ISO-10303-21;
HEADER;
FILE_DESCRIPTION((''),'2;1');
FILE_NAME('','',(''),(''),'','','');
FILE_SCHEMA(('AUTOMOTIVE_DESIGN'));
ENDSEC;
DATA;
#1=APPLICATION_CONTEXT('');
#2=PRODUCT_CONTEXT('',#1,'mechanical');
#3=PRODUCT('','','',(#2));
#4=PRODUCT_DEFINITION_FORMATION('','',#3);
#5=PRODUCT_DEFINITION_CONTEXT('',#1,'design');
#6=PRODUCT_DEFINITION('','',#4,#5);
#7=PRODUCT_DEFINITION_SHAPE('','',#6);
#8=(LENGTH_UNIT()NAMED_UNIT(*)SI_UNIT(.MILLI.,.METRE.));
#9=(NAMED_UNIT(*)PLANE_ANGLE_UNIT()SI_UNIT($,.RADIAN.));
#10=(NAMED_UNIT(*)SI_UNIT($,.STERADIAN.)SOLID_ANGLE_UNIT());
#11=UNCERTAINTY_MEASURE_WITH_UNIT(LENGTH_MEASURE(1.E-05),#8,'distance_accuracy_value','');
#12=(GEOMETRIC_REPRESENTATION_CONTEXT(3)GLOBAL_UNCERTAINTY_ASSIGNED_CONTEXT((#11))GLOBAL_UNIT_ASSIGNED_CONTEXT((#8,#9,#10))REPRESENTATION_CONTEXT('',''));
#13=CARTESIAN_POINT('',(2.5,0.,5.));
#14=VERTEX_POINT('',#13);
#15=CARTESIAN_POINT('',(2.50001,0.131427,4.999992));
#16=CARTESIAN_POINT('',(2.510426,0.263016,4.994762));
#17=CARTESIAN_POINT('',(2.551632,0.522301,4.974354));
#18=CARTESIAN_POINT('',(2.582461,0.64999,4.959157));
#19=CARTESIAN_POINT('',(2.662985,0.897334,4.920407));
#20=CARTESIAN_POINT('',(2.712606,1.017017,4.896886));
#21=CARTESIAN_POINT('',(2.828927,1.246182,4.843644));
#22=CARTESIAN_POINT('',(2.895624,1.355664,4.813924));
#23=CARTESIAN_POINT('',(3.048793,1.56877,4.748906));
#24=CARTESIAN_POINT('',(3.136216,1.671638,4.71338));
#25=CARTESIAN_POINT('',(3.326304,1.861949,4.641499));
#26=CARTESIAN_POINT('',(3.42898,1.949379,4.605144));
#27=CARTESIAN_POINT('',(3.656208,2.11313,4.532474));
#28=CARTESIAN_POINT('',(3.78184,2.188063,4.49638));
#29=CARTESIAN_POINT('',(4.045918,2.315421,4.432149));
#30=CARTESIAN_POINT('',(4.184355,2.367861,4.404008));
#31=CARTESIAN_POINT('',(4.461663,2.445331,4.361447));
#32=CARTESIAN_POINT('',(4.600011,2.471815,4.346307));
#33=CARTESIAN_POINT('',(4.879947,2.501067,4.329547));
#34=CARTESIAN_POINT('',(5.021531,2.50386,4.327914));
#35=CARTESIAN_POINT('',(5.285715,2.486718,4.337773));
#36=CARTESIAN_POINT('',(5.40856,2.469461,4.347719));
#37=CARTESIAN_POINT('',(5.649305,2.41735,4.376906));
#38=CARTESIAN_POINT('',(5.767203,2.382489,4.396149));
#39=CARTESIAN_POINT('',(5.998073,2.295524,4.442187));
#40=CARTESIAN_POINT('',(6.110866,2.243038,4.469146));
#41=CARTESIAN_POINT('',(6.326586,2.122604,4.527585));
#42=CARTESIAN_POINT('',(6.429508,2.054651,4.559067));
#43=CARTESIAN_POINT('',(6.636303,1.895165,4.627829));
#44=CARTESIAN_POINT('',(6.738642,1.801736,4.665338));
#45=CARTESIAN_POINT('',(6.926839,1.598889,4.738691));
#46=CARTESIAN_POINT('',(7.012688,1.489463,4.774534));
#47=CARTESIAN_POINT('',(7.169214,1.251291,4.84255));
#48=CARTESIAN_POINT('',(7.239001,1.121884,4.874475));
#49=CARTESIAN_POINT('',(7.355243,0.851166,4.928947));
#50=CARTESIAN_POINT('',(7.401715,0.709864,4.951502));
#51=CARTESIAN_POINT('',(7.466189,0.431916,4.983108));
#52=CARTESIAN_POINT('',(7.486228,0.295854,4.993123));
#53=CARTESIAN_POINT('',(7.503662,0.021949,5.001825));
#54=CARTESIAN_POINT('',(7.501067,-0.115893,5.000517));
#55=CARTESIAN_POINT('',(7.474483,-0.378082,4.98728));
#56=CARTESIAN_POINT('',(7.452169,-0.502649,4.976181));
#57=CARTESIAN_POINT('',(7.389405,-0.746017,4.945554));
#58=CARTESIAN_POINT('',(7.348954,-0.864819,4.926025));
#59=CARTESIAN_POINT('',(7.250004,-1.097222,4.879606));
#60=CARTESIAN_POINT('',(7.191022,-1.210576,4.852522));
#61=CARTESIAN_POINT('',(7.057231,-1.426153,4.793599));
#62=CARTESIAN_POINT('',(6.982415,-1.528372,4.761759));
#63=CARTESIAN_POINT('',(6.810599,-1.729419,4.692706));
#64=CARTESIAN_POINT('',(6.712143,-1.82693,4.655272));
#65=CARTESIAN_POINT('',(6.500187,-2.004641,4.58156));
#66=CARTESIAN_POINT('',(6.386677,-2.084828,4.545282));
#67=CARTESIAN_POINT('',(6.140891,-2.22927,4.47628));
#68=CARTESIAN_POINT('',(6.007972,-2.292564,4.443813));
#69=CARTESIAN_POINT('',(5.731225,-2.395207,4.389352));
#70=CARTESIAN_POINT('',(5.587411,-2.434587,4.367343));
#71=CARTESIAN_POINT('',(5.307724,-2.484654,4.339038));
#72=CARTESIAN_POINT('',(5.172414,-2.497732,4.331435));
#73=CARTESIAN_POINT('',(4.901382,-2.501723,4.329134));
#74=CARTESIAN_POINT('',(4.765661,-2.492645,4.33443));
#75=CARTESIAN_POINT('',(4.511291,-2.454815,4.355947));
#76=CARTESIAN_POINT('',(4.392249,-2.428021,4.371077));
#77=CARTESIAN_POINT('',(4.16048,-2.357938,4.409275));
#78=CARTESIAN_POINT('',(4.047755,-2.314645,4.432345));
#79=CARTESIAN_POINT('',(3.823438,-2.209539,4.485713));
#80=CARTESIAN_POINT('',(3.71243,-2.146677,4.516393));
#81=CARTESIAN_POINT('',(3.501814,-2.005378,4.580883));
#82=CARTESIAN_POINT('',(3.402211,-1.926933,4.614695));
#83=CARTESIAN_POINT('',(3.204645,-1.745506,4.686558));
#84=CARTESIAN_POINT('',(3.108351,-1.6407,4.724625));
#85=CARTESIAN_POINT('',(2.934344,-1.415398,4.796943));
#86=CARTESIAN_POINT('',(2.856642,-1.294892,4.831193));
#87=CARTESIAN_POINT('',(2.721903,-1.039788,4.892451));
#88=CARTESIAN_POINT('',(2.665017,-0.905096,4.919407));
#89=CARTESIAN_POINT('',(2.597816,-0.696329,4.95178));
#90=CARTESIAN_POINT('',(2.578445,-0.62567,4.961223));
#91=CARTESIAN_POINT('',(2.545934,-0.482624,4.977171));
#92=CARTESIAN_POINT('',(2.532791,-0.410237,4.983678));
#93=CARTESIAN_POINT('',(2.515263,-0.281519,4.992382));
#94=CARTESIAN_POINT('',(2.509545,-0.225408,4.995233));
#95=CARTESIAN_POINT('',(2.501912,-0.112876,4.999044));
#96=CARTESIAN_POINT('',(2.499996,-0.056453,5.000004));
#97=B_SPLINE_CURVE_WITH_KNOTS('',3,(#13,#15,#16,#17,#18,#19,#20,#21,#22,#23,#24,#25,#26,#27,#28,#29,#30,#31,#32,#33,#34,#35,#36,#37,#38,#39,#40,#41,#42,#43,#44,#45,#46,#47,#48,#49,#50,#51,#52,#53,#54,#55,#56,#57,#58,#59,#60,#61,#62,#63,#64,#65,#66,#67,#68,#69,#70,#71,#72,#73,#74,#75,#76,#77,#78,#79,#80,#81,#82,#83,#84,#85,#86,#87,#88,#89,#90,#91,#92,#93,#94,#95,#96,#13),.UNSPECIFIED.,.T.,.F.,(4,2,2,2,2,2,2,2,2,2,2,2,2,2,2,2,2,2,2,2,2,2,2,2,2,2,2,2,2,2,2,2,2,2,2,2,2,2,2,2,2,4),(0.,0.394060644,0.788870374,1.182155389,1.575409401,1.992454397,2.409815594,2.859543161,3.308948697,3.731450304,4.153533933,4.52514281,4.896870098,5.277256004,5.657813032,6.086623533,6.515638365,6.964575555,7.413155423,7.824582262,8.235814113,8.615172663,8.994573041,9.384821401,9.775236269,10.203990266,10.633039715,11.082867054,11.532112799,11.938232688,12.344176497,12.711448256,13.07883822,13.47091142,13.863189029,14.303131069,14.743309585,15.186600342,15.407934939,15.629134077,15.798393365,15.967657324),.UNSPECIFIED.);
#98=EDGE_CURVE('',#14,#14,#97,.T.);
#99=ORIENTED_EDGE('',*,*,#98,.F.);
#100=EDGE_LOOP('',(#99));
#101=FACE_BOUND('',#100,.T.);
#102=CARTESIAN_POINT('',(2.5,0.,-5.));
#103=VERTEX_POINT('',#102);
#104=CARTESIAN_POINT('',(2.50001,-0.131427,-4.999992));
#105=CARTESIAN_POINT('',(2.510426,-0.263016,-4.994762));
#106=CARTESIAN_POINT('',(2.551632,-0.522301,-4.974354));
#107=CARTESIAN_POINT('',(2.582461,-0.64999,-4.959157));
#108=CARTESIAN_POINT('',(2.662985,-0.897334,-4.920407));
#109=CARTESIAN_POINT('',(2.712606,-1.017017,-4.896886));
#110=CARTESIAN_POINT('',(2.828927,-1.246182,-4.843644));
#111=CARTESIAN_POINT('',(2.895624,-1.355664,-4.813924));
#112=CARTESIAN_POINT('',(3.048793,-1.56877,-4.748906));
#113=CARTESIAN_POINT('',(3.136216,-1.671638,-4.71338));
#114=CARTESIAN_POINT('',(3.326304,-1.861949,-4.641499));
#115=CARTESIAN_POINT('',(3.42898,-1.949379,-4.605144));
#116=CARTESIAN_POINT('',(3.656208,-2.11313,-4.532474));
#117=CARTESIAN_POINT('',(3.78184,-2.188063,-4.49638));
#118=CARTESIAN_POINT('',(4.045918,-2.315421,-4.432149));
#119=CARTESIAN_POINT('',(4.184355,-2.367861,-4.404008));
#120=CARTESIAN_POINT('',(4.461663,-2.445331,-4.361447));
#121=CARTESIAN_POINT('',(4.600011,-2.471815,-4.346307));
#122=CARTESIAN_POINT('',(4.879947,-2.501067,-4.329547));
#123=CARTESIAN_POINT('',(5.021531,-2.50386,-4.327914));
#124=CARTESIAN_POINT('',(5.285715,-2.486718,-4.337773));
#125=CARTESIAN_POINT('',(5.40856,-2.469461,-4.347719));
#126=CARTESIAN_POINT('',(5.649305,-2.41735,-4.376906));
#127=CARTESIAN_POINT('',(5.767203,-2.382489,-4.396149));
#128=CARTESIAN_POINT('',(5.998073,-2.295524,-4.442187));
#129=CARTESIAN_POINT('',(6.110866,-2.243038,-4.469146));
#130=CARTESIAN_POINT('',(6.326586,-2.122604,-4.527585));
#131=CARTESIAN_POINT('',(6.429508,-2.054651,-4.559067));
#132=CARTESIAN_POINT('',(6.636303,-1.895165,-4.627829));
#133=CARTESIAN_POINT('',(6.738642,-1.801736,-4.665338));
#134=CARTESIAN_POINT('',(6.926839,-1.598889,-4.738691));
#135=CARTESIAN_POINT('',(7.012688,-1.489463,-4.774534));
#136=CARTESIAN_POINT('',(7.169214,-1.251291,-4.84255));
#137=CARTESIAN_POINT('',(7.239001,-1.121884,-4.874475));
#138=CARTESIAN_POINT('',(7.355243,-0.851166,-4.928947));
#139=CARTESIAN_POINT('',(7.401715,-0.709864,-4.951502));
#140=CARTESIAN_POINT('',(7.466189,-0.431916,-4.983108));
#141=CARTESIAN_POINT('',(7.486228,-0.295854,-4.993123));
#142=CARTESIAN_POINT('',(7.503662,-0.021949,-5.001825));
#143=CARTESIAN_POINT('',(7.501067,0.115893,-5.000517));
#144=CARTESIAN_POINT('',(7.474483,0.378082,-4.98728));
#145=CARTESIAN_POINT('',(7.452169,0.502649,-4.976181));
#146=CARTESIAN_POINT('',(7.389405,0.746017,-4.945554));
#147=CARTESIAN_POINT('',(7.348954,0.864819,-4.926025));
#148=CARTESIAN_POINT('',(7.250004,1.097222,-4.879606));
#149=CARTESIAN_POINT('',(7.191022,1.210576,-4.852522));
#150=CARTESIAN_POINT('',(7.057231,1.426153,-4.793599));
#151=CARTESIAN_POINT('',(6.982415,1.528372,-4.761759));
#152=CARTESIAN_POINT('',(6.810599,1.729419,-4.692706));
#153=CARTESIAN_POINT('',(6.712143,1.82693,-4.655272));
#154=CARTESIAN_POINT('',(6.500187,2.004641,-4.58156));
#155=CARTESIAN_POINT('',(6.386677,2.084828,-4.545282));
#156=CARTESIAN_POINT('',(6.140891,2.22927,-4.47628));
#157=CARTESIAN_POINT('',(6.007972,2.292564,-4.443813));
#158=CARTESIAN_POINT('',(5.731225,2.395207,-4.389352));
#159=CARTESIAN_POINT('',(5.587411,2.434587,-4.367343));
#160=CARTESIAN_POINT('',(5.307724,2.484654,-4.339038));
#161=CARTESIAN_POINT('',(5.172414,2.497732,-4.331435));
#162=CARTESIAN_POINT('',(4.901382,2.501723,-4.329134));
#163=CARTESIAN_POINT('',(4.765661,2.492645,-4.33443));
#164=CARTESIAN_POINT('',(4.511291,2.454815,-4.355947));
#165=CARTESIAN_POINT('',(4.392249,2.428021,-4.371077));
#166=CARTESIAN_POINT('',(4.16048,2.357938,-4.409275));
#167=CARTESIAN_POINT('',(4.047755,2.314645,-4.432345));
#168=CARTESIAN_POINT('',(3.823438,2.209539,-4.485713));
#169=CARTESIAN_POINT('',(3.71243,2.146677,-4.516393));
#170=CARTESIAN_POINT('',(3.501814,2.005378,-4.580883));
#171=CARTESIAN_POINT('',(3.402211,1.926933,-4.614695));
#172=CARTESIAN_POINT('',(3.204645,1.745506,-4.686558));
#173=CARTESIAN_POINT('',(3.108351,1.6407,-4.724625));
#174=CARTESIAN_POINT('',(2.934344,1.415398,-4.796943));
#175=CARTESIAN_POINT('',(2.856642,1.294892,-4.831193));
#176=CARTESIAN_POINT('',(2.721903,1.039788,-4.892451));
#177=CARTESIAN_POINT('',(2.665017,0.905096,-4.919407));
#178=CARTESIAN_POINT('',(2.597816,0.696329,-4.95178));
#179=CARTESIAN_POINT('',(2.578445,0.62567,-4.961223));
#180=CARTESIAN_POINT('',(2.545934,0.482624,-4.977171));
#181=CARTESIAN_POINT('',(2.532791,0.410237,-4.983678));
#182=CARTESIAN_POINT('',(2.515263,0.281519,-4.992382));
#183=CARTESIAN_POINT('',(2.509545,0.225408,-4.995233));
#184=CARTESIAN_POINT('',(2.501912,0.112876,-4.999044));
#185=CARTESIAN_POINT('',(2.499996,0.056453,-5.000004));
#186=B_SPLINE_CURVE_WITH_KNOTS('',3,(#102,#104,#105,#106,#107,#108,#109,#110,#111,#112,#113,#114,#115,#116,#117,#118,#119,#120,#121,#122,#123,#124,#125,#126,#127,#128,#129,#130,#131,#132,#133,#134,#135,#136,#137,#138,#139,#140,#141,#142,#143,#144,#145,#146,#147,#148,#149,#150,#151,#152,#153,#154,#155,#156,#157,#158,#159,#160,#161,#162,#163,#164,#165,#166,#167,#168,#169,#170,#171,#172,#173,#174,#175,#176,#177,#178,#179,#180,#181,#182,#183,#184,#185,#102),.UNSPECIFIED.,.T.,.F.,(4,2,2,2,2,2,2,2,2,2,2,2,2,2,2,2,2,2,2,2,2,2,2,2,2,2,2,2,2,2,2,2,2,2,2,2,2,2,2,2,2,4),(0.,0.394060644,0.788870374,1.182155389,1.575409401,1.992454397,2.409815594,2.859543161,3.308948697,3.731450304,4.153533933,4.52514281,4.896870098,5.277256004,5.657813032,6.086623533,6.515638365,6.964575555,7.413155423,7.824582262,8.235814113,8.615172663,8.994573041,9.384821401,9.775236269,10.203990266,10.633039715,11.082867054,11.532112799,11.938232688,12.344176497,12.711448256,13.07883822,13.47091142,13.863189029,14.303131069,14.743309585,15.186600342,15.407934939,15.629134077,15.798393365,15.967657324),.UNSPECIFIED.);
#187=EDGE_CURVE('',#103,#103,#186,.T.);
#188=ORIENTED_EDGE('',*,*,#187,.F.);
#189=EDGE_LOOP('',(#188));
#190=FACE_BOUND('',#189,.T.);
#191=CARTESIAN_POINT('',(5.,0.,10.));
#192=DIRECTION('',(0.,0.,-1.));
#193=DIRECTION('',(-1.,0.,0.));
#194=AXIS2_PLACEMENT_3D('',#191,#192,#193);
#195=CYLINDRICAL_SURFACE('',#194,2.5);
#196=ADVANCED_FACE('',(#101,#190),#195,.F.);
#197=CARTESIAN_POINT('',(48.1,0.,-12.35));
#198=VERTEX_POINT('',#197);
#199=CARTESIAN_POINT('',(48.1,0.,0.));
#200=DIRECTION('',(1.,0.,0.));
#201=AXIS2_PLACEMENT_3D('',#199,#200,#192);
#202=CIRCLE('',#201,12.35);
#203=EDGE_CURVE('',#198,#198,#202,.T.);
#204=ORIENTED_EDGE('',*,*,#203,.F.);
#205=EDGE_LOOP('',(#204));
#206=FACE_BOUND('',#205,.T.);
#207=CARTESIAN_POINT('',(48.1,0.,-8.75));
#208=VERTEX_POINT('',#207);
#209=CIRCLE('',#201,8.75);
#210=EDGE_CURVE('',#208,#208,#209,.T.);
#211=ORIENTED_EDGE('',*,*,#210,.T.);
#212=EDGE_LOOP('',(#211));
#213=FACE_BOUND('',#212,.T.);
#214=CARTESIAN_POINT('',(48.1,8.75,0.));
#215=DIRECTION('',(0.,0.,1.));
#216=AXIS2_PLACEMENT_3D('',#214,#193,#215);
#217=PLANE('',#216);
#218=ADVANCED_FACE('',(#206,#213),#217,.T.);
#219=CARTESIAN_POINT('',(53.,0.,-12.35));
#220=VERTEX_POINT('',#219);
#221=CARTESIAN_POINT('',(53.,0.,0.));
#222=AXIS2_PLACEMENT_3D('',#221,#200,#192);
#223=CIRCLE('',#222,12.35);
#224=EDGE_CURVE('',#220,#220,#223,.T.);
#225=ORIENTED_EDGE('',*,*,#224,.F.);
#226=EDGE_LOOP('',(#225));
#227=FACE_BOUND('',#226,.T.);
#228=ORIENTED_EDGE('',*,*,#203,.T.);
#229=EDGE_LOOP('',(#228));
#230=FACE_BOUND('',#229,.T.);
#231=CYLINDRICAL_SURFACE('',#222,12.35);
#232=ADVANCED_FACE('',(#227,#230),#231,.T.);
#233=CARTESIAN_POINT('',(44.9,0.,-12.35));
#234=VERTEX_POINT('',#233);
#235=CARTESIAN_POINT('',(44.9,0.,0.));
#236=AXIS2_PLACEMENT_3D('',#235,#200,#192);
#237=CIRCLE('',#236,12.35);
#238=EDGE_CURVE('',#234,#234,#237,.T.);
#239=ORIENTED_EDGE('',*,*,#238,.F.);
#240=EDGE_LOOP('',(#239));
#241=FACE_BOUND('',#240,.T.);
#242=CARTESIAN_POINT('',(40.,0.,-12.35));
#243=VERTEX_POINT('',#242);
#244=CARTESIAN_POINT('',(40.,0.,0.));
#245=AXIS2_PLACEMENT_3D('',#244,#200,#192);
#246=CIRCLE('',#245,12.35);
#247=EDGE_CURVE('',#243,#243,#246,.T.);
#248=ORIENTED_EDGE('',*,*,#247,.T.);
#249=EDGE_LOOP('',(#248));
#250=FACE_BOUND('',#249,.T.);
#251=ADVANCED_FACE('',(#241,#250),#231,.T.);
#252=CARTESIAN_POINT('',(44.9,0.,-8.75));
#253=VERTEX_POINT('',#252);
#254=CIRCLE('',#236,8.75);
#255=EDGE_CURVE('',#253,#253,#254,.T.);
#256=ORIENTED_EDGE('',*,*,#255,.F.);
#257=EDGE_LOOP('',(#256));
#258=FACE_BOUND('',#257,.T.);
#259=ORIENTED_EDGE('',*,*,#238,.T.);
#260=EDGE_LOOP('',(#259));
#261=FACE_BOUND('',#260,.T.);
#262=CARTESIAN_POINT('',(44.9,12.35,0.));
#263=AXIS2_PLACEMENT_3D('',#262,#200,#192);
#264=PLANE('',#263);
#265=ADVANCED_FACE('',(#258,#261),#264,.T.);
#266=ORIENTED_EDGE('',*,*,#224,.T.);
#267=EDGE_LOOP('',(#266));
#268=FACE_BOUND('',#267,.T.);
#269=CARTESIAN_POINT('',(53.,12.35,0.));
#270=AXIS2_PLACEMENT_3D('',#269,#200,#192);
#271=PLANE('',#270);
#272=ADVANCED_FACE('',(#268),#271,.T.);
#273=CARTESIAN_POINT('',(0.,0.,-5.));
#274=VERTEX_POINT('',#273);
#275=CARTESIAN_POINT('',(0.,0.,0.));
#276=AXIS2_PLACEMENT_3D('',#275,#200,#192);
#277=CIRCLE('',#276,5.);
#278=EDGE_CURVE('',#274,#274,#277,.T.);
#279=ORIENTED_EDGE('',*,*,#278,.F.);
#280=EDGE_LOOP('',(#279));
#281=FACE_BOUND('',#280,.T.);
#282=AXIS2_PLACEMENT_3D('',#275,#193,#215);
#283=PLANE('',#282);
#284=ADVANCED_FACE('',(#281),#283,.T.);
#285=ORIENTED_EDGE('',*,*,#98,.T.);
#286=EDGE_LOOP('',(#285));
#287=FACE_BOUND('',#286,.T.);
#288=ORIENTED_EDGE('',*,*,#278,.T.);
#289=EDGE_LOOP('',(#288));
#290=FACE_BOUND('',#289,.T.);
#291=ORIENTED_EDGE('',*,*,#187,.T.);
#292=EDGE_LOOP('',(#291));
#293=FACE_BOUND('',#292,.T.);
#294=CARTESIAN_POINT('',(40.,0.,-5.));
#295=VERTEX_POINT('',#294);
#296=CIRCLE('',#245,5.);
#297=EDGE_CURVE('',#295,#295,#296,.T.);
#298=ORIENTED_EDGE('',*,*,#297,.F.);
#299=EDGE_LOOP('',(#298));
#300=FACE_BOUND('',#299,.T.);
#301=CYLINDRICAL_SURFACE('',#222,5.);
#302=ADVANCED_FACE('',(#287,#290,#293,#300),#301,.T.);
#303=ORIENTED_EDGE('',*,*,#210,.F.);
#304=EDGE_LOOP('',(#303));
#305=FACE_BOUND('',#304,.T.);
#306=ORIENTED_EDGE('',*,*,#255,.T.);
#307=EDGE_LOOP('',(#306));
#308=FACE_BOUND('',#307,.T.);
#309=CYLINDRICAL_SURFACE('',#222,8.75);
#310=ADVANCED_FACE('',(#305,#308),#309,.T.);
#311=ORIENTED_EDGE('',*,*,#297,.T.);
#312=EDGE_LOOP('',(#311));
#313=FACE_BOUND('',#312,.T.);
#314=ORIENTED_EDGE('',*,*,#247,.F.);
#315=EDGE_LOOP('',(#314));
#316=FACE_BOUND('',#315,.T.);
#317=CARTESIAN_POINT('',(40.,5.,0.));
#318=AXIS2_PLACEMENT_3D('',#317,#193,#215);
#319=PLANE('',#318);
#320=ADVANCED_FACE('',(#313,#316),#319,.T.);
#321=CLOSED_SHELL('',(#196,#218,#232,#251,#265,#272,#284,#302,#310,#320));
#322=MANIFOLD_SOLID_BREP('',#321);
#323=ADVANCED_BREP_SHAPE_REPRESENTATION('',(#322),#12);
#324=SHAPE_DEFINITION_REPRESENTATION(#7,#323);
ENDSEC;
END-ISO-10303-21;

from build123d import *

# Parameters (mm, degrees)
CUT_EXTRUDE1_DEPTH      = 10
CUT_EXTRUDE1_DEPTH_BACK = 10
SKETCH2_R               = 2.5


with BuildPart() as part:
    # Sketch1 → Revolve1 (revolve)
    with BuildSketch(Plane.XY, mode=Mode.PRIVATE) as revolve1_sk:
        Polygon((0, 0), (0, 5), (40, 5), (40, 12.35), (44.9, 12.35), (44.9, 8.75), (48.1, 8.75), (48.1, 12.35), (53, 12.35), (53, 0), align=None)
    revolve(revolve1_sk.sketch.rotate(Axis((53, 0, 0), (-1, 0, 0)), 90), axis=Axis((53, 0, 0), (-1, 0, 0)))

    # Sketch2 → Cut-Extrude1 (cut, two sides: drawn at the far end of the back side and taken through both)
    with BuildSketch(Plane.XY.offset(-CUT_EXTRUDE1_DEPTH_BACK)):
        with Locations(Location((5, 0, 0), (0, 0, 180))):
            Circle(SKETCH2_R)
    extrude(amount=CUT_EXTRUDE1_DEPTH + CUT_EXTRUDE1_DEPTH_BACK, mode=Mode.SUBTRACT)


solid = part.part
